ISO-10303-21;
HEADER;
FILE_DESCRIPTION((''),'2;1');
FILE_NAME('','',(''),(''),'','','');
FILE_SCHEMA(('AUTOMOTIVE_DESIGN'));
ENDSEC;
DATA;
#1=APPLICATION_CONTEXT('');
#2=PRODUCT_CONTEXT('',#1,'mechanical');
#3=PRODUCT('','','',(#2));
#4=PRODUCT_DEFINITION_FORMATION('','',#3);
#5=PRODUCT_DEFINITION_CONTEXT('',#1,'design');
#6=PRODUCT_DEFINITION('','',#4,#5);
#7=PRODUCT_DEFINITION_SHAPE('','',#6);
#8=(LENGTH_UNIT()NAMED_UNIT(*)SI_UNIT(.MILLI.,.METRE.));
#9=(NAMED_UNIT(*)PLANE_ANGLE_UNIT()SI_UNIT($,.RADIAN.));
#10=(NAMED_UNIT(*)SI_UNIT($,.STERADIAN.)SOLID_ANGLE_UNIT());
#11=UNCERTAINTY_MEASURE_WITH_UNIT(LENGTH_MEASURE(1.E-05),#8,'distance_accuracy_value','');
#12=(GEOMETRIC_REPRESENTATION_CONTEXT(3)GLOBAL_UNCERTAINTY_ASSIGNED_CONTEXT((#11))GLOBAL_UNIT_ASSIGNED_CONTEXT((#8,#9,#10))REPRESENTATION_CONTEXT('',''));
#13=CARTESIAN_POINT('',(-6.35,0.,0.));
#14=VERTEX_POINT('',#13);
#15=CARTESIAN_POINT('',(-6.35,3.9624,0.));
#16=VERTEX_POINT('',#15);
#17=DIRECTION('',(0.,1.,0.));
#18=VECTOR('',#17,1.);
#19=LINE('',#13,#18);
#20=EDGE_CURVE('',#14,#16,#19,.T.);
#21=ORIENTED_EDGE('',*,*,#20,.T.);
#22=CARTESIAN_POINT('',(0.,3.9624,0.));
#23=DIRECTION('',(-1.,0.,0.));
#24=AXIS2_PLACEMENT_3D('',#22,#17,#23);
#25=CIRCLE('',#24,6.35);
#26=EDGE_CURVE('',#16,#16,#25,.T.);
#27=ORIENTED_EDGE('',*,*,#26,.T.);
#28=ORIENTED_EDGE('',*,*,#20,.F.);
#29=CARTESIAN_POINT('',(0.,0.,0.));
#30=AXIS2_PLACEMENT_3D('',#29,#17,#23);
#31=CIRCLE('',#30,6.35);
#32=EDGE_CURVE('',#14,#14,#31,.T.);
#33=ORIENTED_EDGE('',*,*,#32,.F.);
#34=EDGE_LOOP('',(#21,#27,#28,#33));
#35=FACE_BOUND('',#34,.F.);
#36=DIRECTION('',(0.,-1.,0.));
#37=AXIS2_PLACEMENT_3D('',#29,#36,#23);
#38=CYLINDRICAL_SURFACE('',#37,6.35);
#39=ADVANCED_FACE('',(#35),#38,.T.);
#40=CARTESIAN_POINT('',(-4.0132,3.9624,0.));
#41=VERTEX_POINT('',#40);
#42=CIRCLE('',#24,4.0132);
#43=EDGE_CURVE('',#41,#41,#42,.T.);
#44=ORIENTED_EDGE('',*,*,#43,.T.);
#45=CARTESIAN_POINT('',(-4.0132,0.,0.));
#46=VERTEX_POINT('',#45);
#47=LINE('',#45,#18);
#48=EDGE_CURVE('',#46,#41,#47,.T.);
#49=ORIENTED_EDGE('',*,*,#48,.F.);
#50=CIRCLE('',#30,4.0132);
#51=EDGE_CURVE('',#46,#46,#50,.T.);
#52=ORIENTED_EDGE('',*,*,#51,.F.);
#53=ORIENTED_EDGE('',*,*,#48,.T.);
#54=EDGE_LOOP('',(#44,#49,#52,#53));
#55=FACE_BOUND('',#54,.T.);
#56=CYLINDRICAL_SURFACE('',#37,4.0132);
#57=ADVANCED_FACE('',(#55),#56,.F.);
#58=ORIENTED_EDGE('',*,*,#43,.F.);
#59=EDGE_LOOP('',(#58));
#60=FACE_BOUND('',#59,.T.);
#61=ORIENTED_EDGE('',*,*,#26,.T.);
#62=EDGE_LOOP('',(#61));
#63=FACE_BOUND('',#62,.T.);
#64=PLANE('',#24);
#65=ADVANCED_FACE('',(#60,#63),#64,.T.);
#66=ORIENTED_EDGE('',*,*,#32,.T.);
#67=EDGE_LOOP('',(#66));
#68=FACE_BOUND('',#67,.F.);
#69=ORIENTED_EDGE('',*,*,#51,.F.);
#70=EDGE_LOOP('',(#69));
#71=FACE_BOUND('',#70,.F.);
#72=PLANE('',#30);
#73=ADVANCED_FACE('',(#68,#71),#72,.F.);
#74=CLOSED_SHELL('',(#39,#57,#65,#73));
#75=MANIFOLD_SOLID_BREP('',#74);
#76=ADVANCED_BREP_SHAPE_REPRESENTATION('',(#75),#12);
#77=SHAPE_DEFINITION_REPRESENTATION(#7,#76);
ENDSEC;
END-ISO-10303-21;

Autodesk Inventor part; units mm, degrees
ref_plane "YZ Plane" through (0, 0, 0) normal (1, 0, 0) x (0, 1, 0)
ref_plane "XZ Plane" through (0, 0, 0) normal (0, 1, 0) x (-1, 0, 0)
ref_plane "XY Plane" through (0, 0, 0) normal (0, 0, 1) x (1, 0, 0)
sketch "Sketch1" plane through (0, 0, 0) normal (0, 1, 0) x (-1, 0, 0)
  circle A0 centre (0, 0) radius 4.0132
  circle A1 centre (0, 0) radius 6.35
  dimension "d0" = 8.0264
  dimension "d1" = 12.7
extrude "Extrusion1" add sketch "Sketch1" along normal blind 3.9624
properties part number "INTK_015_Spacer8" material "Aluminum 6061"
